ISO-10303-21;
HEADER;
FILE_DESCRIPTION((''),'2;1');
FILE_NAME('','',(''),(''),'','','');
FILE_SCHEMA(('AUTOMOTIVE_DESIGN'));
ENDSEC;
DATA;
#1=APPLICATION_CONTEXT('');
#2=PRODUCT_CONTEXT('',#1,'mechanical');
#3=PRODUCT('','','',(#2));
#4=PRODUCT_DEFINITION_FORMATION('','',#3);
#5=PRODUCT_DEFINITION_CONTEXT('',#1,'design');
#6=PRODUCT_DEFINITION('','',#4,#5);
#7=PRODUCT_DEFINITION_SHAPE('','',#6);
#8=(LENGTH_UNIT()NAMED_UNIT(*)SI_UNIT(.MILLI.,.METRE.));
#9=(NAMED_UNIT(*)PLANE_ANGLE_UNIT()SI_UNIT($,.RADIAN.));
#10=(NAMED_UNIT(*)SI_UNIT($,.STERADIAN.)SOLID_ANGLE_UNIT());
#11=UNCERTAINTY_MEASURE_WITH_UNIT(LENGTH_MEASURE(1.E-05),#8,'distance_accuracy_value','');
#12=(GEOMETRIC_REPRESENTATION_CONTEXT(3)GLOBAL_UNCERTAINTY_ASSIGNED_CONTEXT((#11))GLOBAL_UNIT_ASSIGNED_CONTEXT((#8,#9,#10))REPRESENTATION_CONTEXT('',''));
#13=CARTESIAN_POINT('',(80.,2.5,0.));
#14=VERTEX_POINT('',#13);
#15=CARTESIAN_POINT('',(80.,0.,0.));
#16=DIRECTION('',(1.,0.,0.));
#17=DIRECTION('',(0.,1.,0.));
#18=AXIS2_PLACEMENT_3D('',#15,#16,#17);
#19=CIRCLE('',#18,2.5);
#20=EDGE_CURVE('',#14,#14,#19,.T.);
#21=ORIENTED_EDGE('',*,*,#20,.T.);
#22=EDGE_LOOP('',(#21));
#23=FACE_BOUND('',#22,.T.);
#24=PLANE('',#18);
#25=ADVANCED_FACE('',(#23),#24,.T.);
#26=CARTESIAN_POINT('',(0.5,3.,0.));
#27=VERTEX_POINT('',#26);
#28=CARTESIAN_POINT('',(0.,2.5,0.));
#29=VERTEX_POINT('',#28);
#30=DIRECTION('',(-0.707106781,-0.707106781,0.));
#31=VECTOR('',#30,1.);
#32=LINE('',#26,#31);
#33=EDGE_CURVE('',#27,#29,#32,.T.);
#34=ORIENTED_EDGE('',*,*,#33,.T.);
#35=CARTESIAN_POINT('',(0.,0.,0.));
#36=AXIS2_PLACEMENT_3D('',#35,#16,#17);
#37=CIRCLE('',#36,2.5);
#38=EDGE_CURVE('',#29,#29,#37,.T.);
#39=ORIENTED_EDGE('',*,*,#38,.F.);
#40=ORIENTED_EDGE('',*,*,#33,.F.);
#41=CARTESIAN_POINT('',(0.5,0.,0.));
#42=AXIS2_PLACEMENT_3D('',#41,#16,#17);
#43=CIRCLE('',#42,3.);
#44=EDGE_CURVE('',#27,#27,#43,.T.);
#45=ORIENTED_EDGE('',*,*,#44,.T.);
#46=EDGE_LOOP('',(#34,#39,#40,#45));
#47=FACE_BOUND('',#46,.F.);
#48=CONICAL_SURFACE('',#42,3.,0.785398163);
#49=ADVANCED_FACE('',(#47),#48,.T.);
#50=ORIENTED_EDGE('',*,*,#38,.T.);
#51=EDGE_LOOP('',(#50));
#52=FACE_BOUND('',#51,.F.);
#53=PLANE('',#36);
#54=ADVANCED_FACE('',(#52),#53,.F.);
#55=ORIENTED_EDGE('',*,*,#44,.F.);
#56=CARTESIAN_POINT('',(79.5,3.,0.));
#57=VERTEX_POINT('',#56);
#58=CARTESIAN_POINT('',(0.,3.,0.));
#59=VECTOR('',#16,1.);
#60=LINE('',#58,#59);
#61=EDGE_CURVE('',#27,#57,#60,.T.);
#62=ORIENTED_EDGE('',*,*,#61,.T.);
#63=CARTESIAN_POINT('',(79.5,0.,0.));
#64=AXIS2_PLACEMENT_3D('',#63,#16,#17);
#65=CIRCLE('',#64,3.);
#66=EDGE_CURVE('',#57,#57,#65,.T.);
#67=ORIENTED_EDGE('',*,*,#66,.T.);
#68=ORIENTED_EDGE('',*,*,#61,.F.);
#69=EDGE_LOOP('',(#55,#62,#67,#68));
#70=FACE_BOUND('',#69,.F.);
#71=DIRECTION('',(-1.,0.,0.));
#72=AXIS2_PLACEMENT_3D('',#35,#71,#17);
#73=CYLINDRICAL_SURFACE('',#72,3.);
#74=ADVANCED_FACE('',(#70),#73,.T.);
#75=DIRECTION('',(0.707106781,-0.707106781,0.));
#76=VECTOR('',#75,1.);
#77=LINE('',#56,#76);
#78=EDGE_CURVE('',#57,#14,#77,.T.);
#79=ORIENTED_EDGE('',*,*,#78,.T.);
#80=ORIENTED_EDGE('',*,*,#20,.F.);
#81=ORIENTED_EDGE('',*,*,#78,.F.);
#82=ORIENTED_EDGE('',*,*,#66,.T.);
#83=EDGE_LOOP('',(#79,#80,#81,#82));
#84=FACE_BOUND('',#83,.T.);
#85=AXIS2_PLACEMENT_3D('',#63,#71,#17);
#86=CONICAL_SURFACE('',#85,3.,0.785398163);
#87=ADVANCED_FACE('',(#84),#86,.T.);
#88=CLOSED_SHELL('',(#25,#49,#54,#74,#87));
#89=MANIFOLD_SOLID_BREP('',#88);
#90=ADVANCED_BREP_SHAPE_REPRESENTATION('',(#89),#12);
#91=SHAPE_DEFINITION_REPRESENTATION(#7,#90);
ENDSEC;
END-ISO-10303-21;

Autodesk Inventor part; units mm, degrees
ref_plane "YZ Plane" through (0, 0, 0) normal (1, 0, 0) x (0, 1, 0)
ref_plane "XZ Plane" through (0, 0, 0) normal (0, 1, 0) x (-1, 0, 0)
ref_plane "XY Plane" through (0, 0, 0) normal (0, 0, 1) x (1, 0, 0)
sketch "Sketch1" plane through (0, 0, 0) normal (1, 0, 0) x (0, 1, 0)
  circle A0 centre (0, 0) radius 3
  dimension "d0" = 6
extrude "Extrusion1" add sketch "Sketch1" along normal blind 80
chamfer "Chamfer1" distance 0.5 angle 45 2 edges at (80, -3, 0) (0, -3, 0)
properties part number "80mm shaft"
